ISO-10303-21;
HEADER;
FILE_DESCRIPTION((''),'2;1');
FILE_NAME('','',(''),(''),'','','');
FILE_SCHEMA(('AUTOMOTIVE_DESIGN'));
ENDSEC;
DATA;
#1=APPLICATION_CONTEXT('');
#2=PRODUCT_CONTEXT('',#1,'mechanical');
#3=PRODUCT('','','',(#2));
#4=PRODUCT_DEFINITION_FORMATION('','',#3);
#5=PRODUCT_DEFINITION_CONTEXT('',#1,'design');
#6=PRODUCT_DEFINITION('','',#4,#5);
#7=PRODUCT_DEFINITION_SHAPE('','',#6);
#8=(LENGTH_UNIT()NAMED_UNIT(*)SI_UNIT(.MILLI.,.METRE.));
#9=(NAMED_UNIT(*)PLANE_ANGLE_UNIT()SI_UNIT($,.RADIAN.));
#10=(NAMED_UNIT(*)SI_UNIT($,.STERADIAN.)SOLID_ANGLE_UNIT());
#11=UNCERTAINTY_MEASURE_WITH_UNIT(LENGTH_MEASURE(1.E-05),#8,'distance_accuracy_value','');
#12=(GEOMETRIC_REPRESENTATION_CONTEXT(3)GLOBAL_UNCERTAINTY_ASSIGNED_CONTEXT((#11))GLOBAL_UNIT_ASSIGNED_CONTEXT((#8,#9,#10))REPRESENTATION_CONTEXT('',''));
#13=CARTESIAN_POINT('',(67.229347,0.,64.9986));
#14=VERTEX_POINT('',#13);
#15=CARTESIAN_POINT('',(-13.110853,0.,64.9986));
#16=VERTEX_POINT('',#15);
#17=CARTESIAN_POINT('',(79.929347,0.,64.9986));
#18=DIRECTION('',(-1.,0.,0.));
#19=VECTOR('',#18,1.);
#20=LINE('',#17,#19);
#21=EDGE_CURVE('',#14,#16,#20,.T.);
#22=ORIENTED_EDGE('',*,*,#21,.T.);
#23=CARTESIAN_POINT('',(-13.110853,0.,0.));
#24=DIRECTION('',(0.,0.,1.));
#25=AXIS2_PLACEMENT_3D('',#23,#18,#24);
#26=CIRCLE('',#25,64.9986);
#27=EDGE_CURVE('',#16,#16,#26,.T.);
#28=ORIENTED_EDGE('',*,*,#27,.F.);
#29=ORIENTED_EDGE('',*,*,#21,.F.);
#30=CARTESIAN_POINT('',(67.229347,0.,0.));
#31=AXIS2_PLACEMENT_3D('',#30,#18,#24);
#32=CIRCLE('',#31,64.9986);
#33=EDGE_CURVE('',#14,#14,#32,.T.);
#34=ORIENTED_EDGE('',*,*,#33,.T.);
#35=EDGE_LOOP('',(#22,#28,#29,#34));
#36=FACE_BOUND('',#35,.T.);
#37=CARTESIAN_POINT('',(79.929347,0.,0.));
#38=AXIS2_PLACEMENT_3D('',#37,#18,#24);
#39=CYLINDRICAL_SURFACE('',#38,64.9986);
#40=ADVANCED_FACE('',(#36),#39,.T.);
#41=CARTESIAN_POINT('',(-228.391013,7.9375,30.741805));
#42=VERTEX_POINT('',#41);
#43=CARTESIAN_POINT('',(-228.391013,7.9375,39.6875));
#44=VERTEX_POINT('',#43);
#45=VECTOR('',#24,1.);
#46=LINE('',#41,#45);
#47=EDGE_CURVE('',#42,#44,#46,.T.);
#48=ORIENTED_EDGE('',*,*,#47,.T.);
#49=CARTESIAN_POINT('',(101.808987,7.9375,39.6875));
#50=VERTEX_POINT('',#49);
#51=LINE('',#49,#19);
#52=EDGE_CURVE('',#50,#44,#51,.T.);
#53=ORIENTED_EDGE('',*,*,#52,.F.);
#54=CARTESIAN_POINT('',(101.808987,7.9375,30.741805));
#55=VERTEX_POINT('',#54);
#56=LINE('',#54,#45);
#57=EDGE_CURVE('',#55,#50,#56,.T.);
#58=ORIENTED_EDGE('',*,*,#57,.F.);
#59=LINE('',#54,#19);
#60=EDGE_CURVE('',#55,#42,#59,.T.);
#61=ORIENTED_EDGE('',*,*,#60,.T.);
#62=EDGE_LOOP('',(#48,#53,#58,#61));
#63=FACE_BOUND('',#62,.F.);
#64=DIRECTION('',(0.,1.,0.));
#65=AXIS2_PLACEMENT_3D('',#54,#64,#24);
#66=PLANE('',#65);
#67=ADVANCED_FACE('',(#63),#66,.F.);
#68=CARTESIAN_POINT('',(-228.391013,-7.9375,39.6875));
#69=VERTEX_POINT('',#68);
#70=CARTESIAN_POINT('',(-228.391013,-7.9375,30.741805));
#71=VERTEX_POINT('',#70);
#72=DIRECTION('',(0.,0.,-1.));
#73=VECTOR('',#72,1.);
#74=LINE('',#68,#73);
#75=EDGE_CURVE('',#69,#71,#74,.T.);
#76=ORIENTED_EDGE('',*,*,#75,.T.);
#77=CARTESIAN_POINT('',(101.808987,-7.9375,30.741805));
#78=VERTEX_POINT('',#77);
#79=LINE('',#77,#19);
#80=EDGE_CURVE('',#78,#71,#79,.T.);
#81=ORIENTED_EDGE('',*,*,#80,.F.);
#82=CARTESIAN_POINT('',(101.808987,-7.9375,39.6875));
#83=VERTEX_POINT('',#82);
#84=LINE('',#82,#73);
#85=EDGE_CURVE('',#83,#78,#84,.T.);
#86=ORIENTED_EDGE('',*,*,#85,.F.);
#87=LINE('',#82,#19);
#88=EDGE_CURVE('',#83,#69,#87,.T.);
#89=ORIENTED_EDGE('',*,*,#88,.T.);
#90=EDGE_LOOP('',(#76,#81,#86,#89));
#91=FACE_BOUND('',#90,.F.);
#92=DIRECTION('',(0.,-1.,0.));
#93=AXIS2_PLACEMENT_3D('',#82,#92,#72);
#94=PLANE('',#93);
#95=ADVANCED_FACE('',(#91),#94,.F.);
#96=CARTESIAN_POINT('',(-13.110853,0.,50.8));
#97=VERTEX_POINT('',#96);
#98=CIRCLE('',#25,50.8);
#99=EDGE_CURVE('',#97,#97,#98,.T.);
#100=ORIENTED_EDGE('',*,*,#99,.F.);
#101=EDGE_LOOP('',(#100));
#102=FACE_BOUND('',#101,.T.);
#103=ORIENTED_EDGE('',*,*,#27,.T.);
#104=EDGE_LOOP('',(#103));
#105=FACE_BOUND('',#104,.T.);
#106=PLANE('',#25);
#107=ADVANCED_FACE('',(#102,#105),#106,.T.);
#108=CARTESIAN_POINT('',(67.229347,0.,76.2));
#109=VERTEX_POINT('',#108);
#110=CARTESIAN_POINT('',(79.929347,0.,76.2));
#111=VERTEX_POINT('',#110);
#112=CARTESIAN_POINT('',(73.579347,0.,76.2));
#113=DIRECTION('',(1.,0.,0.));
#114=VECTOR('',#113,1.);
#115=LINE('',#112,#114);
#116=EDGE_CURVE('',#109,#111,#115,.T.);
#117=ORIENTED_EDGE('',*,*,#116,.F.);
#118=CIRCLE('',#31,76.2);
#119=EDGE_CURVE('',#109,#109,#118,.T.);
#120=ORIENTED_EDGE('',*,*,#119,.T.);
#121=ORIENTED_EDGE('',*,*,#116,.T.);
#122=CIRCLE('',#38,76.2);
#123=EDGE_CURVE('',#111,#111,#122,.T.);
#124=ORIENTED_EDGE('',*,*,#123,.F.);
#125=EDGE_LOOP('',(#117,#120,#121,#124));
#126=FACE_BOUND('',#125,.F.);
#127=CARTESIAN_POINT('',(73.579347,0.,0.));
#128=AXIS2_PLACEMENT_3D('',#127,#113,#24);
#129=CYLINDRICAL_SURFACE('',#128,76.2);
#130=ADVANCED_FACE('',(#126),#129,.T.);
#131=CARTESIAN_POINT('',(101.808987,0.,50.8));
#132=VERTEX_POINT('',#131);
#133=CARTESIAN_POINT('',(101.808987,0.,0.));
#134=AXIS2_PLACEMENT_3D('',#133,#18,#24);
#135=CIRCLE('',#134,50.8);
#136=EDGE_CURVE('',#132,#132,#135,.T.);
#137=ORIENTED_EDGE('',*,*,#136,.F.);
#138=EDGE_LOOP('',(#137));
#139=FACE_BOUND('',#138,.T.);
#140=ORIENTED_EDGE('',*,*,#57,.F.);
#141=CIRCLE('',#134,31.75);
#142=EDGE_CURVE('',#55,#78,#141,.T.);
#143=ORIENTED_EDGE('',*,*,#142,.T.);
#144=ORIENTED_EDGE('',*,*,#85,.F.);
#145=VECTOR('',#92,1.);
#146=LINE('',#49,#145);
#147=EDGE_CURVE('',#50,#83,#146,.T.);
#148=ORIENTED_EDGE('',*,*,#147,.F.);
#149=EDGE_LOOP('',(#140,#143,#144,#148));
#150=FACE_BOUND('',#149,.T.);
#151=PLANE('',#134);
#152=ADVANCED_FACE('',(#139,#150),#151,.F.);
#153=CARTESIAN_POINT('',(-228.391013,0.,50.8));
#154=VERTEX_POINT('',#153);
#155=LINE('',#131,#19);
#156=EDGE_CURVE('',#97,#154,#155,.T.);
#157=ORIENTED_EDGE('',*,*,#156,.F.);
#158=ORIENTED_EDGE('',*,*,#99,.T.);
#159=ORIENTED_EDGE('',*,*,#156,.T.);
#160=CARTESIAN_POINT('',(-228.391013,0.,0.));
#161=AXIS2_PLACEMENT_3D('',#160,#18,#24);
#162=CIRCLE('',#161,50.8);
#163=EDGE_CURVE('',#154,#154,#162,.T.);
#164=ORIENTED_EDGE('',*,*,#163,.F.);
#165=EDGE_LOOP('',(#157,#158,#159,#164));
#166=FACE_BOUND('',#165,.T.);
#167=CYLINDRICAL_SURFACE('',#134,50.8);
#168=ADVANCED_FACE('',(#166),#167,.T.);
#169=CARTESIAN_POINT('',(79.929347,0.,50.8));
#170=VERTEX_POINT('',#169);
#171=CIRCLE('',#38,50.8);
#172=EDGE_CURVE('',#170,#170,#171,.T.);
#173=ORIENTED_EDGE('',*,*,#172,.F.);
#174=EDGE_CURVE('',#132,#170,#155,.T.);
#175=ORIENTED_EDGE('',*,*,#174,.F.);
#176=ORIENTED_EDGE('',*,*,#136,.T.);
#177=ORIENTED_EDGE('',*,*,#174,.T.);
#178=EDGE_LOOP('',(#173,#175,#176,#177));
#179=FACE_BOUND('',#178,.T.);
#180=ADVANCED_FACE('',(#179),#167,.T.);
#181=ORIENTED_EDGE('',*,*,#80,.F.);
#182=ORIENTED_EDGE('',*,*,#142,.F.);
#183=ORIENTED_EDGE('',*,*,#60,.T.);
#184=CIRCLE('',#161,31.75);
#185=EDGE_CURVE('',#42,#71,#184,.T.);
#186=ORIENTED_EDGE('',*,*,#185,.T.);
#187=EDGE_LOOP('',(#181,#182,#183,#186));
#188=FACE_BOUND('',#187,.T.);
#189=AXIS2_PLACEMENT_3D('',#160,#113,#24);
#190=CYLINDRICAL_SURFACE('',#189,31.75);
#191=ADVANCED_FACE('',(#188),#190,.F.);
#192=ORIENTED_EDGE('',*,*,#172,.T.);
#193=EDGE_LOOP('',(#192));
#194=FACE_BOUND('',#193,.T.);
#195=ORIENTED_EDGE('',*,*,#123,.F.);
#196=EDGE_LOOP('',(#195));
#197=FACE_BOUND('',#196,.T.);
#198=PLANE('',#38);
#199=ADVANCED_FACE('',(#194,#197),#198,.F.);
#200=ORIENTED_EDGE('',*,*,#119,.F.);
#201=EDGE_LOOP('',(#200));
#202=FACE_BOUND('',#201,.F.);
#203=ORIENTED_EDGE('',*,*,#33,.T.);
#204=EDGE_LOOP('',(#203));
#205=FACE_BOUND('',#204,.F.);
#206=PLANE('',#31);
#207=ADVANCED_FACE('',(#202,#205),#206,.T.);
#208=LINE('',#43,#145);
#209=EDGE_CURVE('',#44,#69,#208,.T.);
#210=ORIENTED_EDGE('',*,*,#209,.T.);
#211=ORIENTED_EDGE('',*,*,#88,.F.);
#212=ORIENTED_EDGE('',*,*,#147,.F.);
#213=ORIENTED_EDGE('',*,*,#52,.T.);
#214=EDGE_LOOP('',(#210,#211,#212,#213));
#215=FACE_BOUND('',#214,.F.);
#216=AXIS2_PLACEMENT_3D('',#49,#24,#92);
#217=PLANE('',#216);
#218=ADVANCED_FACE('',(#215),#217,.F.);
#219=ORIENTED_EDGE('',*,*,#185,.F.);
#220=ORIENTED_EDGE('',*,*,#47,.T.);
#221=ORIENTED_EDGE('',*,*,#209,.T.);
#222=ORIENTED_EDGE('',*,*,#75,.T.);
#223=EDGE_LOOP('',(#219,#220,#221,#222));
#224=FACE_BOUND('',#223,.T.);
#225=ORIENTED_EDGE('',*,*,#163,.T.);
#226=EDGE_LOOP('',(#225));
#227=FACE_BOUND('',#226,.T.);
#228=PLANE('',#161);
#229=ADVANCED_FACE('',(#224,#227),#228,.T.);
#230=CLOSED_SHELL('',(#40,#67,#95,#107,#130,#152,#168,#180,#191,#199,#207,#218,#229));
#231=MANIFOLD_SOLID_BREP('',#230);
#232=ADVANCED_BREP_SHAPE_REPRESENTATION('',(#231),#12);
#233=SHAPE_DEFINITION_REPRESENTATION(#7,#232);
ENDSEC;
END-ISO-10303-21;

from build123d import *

# Parameters (mm, degrees)
F0_W     = 12.7
F0_H     = 11.2014
F3_DEPTH = 330.2


with BuildPart() as f1:
    # F0 (on Front) → F1 (revolve)
    with BuildSketch(Plane.XZ):
        Polygon((-228.391013, 31.75), (101.808987, 31.75), (101.808987, 50.8), (79.929347, 50.8), (-13.110853, 50.8), (-228.391013, 50.8), align=None)
        Polygon((-13.110853, 50.8), (79.929347, 50.8), (79.929347, 64.9986), (67.229347, 64.9986), (-13.110853, 64.9986), align=None)
        with Locations((73.579347, 70.5993)):
            Rectangle(F0_W, F0_H)
    revolve(axis=Axis((-0.204857, 0, 0), (-1, 0, 0)))

    # F2 (on face) → F3 (cut)
    with BuildSketch(Plane.YZ.offset(101.808987)):
        with BuildLine():
            Line((7.9375, 30.741805), (7.9375, 39.6875))
            Line((7.9375, 39.6875), (-7.9375, 39.6875))
            Line((-7.9375, 39.6875), (-7.9375, 30.741805))
            ThreePointArc((-7.9375, 30.741805), (0, 31.75), (7.9375, 30.741805))
        make_face()
    extrude(amount=-F3_DEPTH, mode=Mode.SUBTRACT)


solid = f1.part
